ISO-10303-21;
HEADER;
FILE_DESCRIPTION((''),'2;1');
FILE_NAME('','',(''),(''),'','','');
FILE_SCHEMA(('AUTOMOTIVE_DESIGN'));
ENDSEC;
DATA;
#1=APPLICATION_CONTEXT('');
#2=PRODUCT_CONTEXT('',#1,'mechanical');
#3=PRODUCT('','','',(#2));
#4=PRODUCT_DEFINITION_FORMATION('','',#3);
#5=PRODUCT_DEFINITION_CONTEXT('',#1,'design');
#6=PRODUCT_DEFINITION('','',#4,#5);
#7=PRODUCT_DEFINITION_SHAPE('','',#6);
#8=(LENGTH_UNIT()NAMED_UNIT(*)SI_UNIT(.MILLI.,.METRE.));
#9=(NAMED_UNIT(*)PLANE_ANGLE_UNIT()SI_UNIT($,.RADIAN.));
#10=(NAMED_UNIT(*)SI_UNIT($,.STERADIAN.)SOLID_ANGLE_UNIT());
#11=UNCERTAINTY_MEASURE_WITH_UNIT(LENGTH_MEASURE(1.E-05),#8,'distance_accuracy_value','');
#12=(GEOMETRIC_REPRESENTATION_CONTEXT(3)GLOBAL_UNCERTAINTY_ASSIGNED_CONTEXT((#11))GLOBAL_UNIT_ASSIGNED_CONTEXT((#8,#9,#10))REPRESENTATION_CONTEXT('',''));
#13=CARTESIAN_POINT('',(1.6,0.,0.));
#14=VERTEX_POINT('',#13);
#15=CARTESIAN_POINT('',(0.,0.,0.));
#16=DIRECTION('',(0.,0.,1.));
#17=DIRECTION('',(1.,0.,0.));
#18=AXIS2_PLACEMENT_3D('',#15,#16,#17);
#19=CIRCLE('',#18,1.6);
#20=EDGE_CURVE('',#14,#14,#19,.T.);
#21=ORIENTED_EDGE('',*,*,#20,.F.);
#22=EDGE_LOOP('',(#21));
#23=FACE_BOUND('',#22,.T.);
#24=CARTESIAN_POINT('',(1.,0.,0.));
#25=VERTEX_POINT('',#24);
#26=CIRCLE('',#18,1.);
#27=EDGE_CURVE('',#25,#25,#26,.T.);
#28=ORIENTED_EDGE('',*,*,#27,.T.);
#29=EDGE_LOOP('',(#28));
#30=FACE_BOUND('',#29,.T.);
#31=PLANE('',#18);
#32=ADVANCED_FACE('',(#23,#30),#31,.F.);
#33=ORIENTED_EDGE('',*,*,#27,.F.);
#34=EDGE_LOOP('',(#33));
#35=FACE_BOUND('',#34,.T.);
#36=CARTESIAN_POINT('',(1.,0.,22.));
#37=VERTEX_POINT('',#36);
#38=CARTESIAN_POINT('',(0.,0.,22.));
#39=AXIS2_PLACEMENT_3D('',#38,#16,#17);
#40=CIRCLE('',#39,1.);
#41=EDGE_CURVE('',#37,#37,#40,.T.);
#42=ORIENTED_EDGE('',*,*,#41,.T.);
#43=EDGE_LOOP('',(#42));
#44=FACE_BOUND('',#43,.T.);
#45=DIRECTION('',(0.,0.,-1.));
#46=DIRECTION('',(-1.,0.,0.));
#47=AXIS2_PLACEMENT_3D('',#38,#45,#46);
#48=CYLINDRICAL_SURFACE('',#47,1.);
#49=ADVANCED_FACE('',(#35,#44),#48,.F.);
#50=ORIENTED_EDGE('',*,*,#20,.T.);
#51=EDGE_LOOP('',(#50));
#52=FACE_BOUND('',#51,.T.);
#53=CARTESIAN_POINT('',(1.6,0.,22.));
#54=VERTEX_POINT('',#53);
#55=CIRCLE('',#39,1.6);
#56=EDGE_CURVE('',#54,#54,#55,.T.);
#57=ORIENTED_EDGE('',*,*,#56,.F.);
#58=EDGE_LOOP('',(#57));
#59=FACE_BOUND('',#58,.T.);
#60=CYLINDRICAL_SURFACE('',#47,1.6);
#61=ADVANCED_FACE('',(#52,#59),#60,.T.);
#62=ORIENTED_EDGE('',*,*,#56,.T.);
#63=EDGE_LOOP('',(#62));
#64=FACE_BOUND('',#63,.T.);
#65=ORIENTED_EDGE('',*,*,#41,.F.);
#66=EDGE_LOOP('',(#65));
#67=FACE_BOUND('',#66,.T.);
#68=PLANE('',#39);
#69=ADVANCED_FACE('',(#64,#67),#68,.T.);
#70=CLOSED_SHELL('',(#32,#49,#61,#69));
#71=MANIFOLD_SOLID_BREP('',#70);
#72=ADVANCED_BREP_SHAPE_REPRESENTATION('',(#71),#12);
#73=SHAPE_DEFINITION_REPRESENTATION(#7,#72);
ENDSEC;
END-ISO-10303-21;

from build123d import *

# Parameters (mm, degrees)
SKETCH_1_R      = 1.6
SKETCH_1_R_2    = 1
EXTRUDE_1_DEPTH = 22


with BuildPart() as part:
    # 草图1 → 凸台-拉伸1 (new body)
    with BuildSketch(Plane.XY):
        Circle(SKETCH_1_R)
        Circle(SKETCH_1_R_2, mode=Mode.SUBTRACT)
    extrude(amount=EXTRUDE_1_DEPTH)


solid = part.part
